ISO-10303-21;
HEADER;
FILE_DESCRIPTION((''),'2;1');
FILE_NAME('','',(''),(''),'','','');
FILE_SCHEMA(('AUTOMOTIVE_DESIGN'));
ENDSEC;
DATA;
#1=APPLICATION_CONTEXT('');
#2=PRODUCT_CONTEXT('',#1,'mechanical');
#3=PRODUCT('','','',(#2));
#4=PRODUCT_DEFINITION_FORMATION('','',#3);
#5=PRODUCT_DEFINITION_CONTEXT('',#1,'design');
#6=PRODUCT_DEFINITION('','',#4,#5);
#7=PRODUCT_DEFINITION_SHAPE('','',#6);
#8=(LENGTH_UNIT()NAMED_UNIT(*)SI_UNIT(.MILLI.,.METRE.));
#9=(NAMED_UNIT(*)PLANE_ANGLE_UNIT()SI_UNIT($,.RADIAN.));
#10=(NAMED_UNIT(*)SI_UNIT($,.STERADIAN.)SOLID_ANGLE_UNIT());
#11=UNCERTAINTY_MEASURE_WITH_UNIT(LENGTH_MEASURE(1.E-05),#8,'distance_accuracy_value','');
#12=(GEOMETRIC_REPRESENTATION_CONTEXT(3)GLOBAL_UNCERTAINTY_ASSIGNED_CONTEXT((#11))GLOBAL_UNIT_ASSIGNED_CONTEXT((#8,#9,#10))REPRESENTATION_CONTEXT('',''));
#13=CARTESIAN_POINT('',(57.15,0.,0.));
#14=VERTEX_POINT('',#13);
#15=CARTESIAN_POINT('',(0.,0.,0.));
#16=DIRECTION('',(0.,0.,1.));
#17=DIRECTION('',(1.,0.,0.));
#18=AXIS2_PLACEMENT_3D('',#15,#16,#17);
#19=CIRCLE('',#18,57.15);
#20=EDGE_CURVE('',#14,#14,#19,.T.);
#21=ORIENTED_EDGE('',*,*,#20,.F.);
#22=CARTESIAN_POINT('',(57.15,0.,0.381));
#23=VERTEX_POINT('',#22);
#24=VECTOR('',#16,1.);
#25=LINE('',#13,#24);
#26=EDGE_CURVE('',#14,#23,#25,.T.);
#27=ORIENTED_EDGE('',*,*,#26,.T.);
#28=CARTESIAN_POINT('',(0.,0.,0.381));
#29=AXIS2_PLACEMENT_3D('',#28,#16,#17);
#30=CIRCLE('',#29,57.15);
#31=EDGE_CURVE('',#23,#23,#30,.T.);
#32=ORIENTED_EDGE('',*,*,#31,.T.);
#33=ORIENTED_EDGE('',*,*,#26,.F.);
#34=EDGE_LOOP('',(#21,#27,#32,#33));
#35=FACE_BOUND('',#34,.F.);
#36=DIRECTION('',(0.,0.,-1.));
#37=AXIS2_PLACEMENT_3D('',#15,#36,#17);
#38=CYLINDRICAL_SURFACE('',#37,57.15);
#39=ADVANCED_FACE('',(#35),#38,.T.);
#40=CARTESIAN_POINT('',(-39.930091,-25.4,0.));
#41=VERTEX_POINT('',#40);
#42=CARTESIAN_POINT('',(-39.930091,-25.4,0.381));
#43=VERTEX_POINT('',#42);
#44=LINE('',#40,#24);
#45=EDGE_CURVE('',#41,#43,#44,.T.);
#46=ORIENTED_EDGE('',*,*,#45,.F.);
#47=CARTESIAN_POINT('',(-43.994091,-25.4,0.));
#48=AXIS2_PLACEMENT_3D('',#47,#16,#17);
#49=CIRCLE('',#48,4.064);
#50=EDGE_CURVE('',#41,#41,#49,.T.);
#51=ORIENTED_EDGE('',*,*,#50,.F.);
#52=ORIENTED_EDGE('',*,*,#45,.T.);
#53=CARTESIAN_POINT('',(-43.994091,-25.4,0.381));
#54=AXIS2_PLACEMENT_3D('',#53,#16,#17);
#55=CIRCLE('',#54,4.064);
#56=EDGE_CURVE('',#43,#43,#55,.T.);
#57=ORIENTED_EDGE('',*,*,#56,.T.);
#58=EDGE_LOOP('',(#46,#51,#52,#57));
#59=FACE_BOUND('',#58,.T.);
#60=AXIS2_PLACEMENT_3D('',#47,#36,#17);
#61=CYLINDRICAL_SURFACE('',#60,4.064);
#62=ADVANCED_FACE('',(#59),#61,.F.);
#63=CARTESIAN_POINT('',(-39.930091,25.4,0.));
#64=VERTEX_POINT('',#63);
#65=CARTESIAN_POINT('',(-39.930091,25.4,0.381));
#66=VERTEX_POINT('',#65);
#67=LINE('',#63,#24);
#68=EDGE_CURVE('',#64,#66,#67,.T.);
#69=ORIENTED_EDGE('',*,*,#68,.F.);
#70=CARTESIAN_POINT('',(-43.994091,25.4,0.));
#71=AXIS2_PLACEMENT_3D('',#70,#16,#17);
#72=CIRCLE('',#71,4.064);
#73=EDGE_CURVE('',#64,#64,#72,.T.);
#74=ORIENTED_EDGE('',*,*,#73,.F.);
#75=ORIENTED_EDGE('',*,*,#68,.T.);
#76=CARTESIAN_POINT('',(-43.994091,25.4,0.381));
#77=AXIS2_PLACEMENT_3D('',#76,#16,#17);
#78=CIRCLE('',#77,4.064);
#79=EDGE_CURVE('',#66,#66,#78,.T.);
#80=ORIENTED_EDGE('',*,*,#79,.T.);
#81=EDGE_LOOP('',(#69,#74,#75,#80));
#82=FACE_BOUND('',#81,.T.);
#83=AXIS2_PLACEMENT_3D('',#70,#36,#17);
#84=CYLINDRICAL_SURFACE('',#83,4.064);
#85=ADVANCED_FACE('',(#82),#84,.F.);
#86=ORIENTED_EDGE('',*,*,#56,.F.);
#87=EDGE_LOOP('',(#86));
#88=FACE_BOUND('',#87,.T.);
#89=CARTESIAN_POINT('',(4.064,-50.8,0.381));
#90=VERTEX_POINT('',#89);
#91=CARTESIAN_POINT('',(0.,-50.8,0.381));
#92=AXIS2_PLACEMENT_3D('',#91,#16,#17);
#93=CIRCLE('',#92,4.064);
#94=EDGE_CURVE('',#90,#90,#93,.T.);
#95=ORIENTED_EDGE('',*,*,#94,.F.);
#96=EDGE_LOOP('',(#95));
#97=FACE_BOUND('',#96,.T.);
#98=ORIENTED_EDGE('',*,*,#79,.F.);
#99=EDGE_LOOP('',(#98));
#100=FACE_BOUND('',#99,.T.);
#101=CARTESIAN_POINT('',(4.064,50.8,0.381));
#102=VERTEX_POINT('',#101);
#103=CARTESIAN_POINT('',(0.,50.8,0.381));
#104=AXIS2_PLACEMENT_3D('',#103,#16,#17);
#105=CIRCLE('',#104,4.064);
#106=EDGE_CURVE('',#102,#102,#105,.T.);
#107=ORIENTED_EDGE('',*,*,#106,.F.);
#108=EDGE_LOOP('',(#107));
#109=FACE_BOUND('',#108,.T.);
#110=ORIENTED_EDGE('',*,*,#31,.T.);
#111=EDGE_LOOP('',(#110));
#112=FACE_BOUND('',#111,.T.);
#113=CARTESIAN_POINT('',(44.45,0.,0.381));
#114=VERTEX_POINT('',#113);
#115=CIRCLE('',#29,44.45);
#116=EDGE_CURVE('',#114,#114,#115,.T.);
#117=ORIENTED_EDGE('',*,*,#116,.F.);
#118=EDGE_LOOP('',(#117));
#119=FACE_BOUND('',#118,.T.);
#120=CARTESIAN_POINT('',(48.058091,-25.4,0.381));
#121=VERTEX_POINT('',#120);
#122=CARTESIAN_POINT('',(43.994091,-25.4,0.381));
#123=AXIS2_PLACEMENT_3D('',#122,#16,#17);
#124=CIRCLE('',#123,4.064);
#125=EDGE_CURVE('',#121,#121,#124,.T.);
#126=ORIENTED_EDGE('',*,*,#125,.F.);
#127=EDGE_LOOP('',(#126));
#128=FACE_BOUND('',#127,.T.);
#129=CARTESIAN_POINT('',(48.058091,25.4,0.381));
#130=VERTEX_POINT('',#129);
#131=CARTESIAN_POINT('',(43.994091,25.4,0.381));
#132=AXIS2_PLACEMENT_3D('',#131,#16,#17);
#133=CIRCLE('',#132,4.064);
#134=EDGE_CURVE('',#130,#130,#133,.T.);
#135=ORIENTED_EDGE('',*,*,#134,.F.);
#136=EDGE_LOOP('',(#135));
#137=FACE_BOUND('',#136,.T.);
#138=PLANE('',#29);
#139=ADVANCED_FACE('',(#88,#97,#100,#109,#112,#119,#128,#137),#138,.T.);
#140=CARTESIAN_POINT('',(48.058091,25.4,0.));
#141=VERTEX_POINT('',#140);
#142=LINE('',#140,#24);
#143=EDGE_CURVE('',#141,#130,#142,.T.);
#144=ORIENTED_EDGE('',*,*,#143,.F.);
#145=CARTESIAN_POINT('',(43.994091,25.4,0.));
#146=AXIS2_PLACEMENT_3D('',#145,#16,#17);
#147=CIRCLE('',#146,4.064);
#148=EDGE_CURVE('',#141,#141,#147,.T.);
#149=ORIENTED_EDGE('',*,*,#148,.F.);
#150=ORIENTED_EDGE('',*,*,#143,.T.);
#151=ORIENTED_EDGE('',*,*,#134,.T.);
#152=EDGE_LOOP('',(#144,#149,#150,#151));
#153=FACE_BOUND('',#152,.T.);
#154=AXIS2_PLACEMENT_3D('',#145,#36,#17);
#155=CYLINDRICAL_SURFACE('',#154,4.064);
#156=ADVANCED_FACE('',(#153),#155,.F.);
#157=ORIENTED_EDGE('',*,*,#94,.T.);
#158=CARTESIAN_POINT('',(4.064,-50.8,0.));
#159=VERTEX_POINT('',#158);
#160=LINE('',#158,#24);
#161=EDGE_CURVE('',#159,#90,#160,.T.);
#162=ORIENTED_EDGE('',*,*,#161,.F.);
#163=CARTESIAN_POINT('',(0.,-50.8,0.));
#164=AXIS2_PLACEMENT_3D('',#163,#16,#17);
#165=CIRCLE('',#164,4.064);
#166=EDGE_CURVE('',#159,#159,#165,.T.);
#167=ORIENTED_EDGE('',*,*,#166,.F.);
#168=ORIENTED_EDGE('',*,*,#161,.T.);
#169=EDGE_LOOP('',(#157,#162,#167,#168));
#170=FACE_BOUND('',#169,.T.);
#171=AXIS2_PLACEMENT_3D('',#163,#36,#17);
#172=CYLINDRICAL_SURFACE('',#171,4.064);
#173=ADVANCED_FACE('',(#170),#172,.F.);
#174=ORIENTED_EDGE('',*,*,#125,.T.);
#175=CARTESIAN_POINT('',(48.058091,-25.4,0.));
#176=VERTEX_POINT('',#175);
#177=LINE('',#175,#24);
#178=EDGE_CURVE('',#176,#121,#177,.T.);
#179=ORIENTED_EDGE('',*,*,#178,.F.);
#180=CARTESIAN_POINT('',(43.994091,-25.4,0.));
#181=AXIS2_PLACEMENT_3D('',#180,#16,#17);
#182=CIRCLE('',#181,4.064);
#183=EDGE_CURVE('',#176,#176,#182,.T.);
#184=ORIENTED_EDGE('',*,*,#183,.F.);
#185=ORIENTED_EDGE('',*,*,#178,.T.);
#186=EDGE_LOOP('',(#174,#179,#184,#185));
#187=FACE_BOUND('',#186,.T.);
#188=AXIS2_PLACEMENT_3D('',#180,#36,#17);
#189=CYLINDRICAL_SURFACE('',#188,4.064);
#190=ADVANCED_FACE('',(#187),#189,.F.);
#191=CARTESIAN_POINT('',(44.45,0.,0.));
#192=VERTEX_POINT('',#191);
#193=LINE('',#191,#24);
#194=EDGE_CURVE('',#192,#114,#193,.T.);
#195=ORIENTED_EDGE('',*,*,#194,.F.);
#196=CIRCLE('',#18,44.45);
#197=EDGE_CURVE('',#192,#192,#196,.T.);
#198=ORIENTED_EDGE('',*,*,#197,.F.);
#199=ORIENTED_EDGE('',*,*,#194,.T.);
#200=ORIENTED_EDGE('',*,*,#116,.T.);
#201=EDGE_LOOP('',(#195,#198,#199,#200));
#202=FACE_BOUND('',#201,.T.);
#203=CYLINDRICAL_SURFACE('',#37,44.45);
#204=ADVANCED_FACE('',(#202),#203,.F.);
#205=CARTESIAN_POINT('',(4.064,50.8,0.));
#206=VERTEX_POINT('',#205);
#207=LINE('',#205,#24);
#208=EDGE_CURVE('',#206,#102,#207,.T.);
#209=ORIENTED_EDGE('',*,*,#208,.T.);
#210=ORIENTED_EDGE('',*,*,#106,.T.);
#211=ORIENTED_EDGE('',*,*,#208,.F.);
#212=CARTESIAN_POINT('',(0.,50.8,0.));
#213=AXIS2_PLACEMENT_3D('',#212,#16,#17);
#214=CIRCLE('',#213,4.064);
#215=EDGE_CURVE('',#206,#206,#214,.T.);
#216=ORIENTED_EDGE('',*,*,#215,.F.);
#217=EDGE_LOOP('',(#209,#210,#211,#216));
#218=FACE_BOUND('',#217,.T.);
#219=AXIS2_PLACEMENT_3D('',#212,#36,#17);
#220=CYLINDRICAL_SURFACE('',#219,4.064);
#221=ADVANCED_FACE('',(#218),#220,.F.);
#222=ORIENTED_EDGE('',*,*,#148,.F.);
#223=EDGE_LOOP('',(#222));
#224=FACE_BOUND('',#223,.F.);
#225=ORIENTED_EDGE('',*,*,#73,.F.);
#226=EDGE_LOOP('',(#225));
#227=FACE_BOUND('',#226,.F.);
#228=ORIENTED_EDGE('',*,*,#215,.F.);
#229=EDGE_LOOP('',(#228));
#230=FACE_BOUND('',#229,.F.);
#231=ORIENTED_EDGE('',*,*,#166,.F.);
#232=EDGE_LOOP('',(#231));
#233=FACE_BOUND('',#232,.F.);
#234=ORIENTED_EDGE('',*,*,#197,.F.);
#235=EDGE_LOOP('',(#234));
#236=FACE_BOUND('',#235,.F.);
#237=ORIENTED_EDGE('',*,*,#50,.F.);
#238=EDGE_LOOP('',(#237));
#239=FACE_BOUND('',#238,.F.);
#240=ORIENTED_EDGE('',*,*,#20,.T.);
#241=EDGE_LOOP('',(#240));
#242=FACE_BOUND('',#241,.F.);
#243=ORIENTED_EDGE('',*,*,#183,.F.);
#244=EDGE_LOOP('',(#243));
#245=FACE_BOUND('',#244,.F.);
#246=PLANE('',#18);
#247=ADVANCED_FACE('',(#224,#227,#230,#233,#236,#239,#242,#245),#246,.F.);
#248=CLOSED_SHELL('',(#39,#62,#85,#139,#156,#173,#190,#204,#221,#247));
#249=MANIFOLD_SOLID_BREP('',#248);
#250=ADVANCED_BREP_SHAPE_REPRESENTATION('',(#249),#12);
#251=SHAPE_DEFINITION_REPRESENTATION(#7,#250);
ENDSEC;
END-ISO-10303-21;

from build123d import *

# Parameters (mm, degrees)
F0_R     = 57.15
F0_R_2   = 4.064
F0_R_3   = 44.45
F1_DEPTH = 0.381


with BuildPart() as f1:
    # F0 (on Top) → F1 (new body)
    with BuildSketch(Plane.XY):
        Circle(F0_R)
        with Locations((-43.994091, -25.4)):
            Circle(F0_R_2, mode=Mode.SUBTRACT)
        with Locations((0, -50.8)):
            Circle(F0_R_2, mode=Mode.SUBTRACT)
        with Locations((43.994091, -25.4)):
            Circle(F0_R_2, mode=Mode.SUBTRACT)
        with Locations((-43.994091, 25.4)):
            Circle(F0_R_2, mode=Mode.SUBTRACT)
        Circle(F0_R_3, mode=Mode.SUBTRACT)
        with Locations((43.994091, 25.4)):
            Circle(F0_R_2, mode=Mode.SUBTRACT)
        with Locations((0, 50.8)):
            Circle(F0_R_2, mode=Mode.SUBTRACT)
    extrude(amount=F1_DEPTH)


solid = f1.part
